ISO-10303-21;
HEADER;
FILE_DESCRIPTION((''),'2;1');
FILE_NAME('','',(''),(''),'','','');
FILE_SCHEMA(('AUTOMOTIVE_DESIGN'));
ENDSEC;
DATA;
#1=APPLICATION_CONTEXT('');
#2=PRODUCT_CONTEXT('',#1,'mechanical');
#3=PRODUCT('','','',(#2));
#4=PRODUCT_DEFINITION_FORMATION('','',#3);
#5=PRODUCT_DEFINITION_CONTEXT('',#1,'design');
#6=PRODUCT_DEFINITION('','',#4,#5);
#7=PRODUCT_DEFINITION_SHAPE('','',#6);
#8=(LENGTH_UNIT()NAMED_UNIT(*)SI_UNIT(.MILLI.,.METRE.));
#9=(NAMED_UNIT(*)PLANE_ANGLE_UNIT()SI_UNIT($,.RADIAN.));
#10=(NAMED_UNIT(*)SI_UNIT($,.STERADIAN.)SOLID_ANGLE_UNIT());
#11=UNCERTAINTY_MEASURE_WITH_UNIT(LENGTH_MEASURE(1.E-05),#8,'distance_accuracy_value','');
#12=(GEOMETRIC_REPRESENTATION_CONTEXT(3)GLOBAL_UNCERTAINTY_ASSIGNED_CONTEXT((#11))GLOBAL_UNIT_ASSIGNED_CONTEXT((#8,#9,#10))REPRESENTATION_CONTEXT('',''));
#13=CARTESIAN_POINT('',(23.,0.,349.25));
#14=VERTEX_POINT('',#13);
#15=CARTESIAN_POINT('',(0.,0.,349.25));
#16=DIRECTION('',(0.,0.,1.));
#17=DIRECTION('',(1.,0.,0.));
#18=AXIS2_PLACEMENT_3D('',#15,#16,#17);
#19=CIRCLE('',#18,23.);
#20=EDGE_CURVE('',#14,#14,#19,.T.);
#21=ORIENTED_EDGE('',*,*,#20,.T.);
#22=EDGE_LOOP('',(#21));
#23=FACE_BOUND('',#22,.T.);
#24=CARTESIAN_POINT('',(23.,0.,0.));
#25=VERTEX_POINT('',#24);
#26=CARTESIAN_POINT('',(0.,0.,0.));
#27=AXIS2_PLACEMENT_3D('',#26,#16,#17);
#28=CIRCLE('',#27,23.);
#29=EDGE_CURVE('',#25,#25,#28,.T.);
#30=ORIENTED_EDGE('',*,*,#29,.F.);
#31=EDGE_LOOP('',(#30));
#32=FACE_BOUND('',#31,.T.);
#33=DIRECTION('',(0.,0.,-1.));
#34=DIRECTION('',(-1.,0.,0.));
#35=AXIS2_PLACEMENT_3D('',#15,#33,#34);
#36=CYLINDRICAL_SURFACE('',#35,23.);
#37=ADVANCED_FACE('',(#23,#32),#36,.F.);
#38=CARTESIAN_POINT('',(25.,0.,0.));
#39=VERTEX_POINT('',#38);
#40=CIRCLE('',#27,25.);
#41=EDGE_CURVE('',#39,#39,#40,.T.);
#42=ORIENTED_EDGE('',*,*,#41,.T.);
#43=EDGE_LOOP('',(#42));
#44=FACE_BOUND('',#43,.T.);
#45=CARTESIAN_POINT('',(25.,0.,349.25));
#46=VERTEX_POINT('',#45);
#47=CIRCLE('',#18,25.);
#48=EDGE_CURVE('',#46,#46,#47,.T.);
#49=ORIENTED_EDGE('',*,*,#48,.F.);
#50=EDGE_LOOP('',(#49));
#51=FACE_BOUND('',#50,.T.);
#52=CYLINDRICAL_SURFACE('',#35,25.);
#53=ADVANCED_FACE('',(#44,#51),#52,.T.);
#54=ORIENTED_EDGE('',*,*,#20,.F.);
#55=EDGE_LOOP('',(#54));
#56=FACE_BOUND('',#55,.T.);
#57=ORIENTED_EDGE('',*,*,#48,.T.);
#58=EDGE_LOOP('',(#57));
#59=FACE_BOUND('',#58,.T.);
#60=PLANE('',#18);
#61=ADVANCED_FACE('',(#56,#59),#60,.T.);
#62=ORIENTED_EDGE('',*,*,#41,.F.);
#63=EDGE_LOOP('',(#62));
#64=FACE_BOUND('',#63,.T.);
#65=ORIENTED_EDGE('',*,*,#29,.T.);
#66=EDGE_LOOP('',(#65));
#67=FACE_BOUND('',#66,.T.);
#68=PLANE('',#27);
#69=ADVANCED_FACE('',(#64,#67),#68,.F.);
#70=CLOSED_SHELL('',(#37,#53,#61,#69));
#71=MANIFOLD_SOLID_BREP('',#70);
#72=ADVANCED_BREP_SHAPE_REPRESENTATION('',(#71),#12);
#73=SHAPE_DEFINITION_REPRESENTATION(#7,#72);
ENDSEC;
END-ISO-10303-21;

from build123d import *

# Parameters (mm, degrees)
SKETCH1_R           = 25
SKETCH1_R_2         = 23
BOSS_EXTRUDE1_DEPTH = 349.25


with BuildPart() as part:
    # Sketch1 → Boss-Extrude1 (new body)
    with BuildSketch(Plane.XY):
        Circle(SKETCH1_R)
        Circle(SKETCH1_R_2, mode=Mode.SUBTRACT)
    extrude(amount=BOSS_EXTRUDE1_DEPTH)


solid = part.part
